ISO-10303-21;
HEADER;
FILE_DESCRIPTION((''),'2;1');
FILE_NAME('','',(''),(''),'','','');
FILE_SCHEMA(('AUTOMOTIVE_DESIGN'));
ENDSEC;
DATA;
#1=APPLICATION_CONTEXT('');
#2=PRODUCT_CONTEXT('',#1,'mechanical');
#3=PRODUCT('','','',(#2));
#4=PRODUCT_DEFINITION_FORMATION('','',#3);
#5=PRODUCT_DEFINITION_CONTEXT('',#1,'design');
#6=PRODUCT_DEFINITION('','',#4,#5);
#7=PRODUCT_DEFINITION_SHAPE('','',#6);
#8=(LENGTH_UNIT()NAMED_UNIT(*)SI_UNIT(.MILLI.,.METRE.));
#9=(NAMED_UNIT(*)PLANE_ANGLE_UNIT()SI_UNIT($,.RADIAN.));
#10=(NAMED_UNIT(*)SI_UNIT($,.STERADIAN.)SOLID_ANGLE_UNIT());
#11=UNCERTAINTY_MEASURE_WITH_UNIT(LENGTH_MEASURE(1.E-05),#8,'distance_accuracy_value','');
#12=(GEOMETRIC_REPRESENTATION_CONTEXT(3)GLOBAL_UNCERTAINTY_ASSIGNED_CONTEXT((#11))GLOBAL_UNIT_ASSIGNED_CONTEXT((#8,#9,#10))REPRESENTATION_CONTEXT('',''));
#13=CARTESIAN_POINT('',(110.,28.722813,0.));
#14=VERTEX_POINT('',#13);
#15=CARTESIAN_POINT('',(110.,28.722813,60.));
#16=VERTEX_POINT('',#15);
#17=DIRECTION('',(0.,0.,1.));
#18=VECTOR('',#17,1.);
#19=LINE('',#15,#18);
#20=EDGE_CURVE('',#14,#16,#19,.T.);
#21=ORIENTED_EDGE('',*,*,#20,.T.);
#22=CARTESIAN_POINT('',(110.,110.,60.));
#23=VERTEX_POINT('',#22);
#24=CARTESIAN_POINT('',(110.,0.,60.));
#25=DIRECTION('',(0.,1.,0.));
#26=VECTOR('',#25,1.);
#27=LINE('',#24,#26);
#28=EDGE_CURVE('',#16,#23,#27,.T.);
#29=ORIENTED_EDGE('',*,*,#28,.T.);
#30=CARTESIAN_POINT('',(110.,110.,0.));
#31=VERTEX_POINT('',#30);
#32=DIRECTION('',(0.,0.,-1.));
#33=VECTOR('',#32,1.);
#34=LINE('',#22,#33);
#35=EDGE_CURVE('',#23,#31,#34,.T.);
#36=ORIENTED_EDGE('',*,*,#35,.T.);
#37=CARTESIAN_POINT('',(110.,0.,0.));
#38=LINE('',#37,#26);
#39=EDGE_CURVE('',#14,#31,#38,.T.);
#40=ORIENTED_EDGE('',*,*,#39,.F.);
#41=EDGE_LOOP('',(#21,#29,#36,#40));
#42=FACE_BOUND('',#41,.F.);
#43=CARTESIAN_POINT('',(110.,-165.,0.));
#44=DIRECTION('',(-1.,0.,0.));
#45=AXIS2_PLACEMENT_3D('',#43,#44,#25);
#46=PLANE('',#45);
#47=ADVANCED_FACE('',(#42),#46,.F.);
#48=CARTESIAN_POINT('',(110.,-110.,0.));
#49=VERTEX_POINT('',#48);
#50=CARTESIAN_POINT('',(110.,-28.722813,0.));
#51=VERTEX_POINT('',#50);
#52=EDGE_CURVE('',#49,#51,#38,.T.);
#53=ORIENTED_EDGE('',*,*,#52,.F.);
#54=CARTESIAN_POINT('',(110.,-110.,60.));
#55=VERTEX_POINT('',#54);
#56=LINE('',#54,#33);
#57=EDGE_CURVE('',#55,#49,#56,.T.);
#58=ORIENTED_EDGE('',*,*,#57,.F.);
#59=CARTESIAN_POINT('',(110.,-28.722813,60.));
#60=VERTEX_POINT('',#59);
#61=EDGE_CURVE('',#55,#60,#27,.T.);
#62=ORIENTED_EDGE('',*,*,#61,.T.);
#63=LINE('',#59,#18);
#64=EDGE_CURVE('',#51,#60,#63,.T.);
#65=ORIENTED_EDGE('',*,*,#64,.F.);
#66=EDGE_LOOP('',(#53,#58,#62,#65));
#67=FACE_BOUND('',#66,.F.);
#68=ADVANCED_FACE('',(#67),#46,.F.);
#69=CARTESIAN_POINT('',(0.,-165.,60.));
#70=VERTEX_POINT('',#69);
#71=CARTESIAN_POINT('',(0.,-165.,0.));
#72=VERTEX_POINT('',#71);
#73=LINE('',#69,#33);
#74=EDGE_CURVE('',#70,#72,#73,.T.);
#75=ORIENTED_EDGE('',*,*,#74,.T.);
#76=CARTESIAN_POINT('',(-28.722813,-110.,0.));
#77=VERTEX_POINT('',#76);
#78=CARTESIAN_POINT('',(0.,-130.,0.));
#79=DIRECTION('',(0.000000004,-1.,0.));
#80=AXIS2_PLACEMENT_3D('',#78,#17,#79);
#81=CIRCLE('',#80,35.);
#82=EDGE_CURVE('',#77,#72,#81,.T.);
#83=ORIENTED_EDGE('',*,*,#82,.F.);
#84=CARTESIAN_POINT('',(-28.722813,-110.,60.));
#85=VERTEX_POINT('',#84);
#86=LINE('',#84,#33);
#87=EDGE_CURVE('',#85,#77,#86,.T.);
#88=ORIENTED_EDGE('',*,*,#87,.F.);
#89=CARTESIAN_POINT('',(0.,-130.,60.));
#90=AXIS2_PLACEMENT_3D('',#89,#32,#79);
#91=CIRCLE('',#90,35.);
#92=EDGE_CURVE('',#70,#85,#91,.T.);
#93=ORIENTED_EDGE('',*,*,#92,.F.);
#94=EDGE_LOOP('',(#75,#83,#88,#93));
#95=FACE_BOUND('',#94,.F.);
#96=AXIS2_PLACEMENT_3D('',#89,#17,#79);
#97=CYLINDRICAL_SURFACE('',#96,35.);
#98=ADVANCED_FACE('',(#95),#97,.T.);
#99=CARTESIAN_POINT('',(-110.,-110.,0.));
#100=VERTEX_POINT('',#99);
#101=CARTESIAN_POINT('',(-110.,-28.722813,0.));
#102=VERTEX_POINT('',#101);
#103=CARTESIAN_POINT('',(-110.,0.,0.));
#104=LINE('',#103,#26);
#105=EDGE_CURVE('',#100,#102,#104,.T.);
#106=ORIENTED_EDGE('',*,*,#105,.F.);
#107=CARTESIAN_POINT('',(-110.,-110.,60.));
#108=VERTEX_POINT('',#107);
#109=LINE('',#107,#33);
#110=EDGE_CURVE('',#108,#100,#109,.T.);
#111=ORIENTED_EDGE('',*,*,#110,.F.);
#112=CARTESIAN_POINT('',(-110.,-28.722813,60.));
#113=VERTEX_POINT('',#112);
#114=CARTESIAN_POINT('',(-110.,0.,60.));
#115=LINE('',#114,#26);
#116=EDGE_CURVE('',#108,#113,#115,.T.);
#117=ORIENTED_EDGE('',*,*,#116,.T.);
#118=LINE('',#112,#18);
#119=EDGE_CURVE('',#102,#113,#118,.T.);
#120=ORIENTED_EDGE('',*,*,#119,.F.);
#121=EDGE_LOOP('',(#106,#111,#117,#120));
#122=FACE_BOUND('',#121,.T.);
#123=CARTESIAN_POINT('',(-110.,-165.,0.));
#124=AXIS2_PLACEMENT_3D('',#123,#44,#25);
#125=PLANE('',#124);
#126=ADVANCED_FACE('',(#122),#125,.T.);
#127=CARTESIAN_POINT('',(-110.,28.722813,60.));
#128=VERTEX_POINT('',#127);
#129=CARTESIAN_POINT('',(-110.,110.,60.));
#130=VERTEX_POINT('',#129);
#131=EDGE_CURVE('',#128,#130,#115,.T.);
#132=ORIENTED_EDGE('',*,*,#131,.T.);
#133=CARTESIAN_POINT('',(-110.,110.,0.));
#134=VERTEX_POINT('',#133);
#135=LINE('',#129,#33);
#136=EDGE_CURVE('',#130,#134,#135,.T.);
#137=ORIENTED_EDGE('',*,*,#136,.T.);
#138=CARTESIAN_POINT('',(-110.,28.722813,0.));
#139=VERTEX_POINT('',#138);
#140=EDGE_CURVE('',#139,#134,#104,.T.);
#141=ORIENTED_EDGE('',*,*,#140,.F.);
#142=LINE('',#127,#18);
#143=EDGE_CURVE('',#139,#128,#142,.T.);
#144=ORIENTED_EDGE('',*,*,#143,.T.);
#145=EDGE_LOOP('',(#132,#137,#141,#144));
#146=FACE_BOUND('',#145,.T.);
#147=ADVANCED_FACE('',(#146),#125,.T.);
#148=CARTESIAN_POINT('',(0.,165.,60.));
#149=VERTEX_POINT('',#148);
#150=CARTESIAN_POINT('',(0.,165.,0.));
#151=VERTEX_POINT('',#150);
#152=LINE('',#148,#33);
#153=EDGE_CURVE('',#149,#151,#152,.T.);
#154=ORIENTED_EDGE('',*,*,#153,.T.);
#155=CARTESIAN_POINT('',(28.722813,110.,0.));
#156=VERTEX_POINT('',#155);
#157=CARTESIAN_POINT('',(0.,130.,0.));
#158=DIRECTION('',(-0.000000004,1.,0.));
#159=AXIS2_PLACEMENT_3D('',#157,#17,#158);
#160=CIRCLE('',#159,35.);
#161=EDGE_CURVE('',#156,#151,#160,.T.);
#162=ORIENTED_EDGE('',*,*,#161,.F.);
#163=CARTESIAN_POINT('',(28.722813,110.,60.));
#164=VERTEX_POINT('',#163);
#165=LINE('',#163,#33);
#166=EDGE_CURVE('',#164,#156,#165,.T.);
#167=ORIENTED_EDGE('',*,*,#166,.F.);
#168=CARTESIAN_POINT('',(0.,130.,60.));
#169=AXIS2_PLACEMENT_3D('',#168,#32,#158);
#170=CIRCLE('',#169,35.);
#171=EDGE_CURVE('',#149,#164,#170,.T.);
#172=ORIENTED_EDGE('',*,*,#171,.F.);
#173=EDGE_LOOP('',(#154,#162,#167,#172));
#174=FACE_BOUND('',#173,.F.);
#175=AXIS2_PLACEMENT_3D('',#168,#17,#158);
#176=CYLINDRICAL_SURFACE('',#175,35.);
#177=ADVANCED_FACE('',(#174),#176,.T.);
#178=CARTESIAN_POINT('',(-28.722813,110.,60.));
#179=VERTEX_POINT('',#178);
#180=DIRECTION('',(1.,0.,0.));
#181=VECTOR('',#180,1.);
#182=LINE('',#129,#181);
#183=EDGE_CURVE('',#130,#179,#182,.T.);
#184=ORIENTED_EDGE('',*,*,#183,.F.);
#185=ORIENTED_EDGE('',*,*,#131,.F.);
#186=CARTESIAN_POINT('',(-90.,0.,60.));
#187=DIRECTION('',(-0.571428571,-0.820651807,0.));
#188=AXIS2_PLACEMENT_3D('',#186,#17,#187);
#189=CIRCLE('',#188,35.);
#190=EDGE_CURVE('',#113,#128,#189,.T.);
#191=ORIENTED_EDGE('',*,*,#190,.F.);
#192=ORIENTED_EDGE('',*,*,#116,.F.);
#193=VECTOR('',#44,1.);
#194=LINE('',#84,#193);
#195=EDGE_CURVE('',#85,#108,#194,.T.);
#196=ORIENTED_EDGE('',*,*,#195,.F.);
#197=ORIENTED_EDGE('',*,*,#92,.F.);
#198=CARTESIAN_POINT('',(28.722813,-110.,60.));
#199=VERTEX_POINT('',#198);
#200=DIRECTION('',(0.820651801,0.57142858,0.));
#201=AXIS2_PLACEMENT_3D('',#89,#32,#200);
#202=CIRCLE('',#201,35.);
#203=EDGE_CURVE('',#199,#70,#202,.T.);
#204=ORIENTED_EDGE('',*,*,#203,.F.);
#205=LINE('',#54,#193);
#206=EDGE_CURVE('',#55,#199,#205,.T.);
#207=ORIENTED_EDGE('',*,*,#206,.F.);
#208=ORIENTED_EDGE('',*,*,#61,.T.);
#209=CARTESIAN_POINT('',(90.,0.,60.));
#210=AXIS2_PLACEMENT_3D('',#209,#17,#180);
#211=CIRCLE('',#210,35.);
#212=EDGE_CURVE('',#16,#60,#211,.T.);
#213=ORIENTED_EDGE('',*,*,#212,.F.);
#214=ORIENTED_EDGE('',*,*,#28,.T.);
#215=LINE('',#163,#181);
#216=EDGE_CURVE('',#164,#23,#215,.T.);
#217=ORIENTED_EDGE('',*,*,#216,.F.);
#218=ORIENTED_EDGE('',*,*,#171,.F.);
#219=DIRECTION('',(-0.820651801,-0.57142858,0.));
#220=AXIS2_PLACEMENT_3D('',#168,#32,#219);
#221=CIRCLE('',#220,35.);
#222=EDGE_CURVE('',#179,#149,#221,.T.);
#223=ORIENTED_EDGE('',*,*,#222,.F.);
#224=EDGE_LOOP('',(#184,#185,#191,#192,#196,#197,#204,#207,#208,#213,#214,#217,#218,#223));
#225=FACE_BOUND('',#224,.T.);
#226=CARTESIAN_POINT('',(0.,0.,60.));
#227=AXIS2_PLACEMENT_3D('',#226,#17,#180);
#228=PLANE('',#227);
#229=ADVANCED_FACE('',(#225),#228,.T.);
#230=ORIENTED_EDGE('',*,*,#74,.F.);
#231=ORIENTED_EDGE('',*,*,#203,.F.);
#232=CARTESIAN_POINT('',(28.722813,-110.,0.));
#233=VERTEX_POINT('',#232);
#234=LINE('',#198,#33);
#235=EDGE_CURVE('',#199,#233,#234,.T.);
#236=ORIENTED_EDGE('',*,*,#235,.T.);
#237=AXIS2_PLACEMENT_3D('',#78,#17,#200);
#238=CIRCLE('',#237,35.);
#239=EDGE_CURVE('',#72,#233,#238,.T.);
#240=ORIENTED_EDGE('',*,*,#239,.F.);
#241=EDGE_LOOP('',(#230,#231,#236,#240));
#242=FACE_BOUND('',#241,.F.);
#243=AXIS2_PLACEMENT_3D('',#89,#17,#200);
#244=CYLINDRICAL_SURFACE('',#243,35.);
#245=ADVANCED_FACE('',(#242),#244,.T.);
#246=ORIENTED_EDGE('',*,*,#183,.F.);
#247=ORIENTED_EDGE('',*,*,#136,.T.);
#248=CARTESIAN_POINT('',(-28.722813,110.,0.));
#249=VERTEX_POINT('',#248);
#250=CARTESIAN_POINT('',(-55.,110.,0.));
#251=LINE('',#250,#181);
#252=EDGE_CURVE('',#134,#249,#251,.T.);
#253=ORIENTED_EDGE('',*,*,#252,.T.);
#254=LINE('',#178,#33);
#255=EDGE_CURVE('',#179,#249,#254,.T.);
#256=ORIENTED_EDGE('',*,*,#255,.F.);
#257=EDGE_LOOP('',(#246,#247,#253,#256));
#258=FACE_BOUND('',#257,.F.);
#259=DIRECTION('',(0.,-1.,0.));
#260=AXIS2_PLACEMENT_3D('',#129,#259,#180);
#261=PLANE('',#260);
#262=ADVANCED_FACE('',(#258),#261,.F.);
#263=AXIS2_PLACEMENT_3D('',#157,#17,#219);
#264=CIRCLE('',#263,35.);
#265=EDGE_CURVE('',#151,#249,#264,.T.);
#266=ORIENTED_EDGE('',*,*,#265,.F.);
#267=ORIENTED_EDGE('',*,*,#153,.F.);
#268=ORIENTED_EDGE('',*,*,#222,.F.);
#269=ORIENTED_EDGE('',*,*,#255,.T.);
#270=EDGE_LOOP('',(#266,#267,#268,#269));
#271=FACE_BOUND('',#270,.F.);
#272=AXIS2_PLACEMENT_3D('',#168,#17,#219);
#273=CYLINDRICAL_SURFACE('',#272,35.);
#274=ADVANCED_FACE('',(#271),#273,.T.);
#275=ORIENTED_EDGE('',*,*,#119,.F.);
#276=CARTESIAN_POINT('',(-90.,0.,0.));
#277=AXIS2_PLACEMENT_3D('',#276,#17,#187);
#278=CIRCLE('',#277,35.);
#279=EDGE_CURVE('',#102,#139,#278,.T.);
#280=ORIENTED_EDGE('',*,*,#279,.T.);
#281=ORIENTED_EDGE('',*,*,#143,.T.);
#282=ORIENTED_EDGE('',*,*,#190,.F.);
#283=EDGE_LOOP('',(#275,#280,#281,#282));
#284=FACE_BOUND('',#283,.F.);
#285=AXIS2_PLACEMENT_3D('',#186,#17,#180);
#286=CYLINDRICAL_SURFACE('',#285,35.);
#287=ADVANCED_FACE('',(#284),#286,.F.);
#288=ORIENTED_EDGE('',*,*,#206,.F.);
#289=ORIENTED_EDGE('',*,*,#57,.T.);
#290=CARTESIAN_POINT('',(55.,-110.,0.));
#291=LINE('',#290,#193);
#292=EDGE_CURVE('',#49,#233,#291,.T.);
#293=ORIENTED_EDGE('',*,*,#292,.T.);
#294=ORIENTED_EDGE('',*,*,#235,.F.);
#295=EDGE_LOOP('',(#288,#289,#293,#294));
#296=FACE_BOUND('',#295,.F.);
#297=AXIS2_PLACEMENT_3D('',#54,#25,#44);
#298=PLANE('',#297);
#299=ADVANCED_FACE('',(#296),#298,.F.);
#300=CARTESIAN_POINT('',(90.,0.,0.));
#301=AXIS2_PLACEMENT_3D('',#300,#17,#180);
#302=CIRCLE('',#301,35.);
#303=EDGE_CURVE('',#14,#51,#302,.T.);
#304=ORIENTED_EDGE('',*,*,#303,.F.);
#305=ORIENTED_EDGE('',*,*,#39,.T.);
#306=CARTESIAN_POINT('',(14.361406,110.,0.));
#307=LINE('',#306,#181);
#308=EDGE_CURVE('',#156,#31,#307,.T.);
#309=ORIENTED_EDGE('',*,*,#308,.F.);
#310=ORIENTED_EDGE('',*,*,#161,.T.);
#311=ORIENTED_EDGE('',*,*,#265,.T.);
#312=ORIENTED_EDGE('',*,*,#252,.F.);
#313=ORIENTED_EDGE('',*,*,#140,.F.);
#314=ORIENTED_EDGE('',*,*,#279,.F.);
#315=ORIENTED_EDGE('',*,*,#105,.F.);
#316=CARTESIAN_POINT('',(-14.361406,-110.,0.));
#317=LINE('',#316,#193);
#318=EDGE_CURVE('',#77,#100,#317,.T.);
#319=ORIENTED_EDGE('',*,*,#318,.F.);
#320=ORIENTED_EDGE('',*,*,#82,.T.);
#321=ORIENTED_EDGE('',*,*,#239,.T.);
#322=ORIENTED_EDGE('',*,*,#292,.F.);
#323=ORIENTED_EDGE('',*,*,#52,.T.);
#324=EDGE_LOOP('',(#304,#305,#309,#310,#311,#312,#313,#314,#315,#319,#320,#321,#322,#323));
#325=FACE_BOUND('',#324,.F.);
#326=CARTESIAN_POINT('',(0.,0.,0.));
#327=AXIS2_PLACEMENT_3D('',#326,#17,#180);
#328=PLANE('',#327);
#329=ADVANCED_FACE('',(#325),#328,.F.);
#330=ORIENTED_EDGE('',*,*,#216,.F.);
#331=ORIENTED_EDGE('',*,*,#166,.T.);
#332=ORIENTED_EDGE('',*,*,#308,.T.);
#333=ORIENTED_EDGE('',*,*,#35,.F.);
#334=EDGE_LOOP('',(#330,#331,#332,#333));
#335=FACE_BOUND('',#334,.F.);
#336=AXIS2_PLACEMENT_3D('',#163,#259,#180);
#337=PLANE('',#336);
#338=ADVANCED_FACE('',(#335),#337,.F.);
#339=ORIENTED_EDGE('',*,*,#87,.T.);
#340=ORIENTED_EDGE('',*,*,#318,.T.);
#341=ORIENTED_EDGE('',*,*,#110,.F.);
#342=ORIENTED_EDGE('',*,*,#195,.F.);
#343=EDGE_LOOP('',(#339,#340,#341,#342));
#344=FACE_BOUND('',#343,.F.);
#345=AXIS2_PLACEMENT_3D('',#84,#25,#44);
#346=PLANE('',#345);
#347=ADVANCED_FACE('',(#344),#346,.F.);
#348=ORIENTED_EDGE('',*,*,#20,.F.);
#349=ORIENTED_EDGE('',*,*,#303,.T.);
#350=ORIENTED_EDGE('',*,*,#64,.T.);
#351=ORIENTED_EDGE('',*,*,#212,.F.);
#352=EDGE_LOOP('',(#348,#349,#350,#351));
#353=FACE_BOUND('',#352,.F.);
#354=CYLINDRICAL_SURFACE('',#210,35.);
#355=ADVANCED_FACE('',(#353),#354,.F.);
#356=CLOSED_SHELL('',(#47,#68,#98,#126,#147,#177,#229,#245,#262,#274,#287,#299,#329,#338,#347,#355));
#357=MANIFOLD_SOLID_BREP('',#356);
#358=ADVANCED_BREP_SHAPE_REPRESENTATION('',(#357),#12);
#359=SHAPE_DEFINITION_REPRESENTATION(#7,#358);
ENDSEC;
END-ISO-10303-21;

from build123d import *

# Parameters (mm, degrees)
F0_W     = 220
F0_H     = 330
F1_DEPTH = 60
F3_DEPTH = 60.001
F4_R     = 35
F5_DEPTH = 60.001


with BuildPart() as f1:
    # F0 (on Top) → F1 (new body)
    with BuildSketch(Plane.XY):
        Rectangle(F0_W, F0_H)
    extrude(amount=F1_DEPTH)

    # F2 (on face) → F3 (cut, through all)
    with BuildSketch(Plane.XY.offset(60)):
        with BuildLine():
            ThreePointArc((-28.722813, 110), (-31.024184, 146.201852), (0, 165))
            Line((0, 165), (-110, 165))
            Line((-110, 165), (-110, 110))
            Line((-110, 110), (-28.722813, 110))
        make_face()
        with BuildLine():
            ThreePointArc((0, 165), (31.024184, 146.201852), (28.722813, 110))
            Line((28.722813, 110), (110, 110))
            Line((110, 110), (110, 165))
            Line((110, 165), (0, 165))
        make_face()
        with BuildLine():
            Line((110, -165), (110, -110))
            Line((110, -110), (28.722813, -110))
            ThreePointArc((28.722813, -110), (31.024184, -146.201852), (0, -165))
            Line((0, -165), (110, -165))
        make_face()
        with BuildLine():
            Line((-110, -165), (0, -165))
            ThreePointArc((0, -165), (-31.024184, -146.201852), (-28.722813, -110))
            Line((-28.722813, -110), (-110, -110))
            Line((-110, -110), (-110, -165))
        make_face()
    extrude(amount=-F3_DEPTH, mode=Mode.SUBTRACT)

    # F4 (on face) → F5 (cut, through all)
    with BuildSketch(Plane.XY.offset(60)):
        with Locations((-90, 0)):
            Circle(F4_R)
        with Locations((90, 0)):
            Circle(F4_R)
    extrude(amount=-F5_DEPTH, mode=Mode.SUBTRACT)


solid = f1.part
